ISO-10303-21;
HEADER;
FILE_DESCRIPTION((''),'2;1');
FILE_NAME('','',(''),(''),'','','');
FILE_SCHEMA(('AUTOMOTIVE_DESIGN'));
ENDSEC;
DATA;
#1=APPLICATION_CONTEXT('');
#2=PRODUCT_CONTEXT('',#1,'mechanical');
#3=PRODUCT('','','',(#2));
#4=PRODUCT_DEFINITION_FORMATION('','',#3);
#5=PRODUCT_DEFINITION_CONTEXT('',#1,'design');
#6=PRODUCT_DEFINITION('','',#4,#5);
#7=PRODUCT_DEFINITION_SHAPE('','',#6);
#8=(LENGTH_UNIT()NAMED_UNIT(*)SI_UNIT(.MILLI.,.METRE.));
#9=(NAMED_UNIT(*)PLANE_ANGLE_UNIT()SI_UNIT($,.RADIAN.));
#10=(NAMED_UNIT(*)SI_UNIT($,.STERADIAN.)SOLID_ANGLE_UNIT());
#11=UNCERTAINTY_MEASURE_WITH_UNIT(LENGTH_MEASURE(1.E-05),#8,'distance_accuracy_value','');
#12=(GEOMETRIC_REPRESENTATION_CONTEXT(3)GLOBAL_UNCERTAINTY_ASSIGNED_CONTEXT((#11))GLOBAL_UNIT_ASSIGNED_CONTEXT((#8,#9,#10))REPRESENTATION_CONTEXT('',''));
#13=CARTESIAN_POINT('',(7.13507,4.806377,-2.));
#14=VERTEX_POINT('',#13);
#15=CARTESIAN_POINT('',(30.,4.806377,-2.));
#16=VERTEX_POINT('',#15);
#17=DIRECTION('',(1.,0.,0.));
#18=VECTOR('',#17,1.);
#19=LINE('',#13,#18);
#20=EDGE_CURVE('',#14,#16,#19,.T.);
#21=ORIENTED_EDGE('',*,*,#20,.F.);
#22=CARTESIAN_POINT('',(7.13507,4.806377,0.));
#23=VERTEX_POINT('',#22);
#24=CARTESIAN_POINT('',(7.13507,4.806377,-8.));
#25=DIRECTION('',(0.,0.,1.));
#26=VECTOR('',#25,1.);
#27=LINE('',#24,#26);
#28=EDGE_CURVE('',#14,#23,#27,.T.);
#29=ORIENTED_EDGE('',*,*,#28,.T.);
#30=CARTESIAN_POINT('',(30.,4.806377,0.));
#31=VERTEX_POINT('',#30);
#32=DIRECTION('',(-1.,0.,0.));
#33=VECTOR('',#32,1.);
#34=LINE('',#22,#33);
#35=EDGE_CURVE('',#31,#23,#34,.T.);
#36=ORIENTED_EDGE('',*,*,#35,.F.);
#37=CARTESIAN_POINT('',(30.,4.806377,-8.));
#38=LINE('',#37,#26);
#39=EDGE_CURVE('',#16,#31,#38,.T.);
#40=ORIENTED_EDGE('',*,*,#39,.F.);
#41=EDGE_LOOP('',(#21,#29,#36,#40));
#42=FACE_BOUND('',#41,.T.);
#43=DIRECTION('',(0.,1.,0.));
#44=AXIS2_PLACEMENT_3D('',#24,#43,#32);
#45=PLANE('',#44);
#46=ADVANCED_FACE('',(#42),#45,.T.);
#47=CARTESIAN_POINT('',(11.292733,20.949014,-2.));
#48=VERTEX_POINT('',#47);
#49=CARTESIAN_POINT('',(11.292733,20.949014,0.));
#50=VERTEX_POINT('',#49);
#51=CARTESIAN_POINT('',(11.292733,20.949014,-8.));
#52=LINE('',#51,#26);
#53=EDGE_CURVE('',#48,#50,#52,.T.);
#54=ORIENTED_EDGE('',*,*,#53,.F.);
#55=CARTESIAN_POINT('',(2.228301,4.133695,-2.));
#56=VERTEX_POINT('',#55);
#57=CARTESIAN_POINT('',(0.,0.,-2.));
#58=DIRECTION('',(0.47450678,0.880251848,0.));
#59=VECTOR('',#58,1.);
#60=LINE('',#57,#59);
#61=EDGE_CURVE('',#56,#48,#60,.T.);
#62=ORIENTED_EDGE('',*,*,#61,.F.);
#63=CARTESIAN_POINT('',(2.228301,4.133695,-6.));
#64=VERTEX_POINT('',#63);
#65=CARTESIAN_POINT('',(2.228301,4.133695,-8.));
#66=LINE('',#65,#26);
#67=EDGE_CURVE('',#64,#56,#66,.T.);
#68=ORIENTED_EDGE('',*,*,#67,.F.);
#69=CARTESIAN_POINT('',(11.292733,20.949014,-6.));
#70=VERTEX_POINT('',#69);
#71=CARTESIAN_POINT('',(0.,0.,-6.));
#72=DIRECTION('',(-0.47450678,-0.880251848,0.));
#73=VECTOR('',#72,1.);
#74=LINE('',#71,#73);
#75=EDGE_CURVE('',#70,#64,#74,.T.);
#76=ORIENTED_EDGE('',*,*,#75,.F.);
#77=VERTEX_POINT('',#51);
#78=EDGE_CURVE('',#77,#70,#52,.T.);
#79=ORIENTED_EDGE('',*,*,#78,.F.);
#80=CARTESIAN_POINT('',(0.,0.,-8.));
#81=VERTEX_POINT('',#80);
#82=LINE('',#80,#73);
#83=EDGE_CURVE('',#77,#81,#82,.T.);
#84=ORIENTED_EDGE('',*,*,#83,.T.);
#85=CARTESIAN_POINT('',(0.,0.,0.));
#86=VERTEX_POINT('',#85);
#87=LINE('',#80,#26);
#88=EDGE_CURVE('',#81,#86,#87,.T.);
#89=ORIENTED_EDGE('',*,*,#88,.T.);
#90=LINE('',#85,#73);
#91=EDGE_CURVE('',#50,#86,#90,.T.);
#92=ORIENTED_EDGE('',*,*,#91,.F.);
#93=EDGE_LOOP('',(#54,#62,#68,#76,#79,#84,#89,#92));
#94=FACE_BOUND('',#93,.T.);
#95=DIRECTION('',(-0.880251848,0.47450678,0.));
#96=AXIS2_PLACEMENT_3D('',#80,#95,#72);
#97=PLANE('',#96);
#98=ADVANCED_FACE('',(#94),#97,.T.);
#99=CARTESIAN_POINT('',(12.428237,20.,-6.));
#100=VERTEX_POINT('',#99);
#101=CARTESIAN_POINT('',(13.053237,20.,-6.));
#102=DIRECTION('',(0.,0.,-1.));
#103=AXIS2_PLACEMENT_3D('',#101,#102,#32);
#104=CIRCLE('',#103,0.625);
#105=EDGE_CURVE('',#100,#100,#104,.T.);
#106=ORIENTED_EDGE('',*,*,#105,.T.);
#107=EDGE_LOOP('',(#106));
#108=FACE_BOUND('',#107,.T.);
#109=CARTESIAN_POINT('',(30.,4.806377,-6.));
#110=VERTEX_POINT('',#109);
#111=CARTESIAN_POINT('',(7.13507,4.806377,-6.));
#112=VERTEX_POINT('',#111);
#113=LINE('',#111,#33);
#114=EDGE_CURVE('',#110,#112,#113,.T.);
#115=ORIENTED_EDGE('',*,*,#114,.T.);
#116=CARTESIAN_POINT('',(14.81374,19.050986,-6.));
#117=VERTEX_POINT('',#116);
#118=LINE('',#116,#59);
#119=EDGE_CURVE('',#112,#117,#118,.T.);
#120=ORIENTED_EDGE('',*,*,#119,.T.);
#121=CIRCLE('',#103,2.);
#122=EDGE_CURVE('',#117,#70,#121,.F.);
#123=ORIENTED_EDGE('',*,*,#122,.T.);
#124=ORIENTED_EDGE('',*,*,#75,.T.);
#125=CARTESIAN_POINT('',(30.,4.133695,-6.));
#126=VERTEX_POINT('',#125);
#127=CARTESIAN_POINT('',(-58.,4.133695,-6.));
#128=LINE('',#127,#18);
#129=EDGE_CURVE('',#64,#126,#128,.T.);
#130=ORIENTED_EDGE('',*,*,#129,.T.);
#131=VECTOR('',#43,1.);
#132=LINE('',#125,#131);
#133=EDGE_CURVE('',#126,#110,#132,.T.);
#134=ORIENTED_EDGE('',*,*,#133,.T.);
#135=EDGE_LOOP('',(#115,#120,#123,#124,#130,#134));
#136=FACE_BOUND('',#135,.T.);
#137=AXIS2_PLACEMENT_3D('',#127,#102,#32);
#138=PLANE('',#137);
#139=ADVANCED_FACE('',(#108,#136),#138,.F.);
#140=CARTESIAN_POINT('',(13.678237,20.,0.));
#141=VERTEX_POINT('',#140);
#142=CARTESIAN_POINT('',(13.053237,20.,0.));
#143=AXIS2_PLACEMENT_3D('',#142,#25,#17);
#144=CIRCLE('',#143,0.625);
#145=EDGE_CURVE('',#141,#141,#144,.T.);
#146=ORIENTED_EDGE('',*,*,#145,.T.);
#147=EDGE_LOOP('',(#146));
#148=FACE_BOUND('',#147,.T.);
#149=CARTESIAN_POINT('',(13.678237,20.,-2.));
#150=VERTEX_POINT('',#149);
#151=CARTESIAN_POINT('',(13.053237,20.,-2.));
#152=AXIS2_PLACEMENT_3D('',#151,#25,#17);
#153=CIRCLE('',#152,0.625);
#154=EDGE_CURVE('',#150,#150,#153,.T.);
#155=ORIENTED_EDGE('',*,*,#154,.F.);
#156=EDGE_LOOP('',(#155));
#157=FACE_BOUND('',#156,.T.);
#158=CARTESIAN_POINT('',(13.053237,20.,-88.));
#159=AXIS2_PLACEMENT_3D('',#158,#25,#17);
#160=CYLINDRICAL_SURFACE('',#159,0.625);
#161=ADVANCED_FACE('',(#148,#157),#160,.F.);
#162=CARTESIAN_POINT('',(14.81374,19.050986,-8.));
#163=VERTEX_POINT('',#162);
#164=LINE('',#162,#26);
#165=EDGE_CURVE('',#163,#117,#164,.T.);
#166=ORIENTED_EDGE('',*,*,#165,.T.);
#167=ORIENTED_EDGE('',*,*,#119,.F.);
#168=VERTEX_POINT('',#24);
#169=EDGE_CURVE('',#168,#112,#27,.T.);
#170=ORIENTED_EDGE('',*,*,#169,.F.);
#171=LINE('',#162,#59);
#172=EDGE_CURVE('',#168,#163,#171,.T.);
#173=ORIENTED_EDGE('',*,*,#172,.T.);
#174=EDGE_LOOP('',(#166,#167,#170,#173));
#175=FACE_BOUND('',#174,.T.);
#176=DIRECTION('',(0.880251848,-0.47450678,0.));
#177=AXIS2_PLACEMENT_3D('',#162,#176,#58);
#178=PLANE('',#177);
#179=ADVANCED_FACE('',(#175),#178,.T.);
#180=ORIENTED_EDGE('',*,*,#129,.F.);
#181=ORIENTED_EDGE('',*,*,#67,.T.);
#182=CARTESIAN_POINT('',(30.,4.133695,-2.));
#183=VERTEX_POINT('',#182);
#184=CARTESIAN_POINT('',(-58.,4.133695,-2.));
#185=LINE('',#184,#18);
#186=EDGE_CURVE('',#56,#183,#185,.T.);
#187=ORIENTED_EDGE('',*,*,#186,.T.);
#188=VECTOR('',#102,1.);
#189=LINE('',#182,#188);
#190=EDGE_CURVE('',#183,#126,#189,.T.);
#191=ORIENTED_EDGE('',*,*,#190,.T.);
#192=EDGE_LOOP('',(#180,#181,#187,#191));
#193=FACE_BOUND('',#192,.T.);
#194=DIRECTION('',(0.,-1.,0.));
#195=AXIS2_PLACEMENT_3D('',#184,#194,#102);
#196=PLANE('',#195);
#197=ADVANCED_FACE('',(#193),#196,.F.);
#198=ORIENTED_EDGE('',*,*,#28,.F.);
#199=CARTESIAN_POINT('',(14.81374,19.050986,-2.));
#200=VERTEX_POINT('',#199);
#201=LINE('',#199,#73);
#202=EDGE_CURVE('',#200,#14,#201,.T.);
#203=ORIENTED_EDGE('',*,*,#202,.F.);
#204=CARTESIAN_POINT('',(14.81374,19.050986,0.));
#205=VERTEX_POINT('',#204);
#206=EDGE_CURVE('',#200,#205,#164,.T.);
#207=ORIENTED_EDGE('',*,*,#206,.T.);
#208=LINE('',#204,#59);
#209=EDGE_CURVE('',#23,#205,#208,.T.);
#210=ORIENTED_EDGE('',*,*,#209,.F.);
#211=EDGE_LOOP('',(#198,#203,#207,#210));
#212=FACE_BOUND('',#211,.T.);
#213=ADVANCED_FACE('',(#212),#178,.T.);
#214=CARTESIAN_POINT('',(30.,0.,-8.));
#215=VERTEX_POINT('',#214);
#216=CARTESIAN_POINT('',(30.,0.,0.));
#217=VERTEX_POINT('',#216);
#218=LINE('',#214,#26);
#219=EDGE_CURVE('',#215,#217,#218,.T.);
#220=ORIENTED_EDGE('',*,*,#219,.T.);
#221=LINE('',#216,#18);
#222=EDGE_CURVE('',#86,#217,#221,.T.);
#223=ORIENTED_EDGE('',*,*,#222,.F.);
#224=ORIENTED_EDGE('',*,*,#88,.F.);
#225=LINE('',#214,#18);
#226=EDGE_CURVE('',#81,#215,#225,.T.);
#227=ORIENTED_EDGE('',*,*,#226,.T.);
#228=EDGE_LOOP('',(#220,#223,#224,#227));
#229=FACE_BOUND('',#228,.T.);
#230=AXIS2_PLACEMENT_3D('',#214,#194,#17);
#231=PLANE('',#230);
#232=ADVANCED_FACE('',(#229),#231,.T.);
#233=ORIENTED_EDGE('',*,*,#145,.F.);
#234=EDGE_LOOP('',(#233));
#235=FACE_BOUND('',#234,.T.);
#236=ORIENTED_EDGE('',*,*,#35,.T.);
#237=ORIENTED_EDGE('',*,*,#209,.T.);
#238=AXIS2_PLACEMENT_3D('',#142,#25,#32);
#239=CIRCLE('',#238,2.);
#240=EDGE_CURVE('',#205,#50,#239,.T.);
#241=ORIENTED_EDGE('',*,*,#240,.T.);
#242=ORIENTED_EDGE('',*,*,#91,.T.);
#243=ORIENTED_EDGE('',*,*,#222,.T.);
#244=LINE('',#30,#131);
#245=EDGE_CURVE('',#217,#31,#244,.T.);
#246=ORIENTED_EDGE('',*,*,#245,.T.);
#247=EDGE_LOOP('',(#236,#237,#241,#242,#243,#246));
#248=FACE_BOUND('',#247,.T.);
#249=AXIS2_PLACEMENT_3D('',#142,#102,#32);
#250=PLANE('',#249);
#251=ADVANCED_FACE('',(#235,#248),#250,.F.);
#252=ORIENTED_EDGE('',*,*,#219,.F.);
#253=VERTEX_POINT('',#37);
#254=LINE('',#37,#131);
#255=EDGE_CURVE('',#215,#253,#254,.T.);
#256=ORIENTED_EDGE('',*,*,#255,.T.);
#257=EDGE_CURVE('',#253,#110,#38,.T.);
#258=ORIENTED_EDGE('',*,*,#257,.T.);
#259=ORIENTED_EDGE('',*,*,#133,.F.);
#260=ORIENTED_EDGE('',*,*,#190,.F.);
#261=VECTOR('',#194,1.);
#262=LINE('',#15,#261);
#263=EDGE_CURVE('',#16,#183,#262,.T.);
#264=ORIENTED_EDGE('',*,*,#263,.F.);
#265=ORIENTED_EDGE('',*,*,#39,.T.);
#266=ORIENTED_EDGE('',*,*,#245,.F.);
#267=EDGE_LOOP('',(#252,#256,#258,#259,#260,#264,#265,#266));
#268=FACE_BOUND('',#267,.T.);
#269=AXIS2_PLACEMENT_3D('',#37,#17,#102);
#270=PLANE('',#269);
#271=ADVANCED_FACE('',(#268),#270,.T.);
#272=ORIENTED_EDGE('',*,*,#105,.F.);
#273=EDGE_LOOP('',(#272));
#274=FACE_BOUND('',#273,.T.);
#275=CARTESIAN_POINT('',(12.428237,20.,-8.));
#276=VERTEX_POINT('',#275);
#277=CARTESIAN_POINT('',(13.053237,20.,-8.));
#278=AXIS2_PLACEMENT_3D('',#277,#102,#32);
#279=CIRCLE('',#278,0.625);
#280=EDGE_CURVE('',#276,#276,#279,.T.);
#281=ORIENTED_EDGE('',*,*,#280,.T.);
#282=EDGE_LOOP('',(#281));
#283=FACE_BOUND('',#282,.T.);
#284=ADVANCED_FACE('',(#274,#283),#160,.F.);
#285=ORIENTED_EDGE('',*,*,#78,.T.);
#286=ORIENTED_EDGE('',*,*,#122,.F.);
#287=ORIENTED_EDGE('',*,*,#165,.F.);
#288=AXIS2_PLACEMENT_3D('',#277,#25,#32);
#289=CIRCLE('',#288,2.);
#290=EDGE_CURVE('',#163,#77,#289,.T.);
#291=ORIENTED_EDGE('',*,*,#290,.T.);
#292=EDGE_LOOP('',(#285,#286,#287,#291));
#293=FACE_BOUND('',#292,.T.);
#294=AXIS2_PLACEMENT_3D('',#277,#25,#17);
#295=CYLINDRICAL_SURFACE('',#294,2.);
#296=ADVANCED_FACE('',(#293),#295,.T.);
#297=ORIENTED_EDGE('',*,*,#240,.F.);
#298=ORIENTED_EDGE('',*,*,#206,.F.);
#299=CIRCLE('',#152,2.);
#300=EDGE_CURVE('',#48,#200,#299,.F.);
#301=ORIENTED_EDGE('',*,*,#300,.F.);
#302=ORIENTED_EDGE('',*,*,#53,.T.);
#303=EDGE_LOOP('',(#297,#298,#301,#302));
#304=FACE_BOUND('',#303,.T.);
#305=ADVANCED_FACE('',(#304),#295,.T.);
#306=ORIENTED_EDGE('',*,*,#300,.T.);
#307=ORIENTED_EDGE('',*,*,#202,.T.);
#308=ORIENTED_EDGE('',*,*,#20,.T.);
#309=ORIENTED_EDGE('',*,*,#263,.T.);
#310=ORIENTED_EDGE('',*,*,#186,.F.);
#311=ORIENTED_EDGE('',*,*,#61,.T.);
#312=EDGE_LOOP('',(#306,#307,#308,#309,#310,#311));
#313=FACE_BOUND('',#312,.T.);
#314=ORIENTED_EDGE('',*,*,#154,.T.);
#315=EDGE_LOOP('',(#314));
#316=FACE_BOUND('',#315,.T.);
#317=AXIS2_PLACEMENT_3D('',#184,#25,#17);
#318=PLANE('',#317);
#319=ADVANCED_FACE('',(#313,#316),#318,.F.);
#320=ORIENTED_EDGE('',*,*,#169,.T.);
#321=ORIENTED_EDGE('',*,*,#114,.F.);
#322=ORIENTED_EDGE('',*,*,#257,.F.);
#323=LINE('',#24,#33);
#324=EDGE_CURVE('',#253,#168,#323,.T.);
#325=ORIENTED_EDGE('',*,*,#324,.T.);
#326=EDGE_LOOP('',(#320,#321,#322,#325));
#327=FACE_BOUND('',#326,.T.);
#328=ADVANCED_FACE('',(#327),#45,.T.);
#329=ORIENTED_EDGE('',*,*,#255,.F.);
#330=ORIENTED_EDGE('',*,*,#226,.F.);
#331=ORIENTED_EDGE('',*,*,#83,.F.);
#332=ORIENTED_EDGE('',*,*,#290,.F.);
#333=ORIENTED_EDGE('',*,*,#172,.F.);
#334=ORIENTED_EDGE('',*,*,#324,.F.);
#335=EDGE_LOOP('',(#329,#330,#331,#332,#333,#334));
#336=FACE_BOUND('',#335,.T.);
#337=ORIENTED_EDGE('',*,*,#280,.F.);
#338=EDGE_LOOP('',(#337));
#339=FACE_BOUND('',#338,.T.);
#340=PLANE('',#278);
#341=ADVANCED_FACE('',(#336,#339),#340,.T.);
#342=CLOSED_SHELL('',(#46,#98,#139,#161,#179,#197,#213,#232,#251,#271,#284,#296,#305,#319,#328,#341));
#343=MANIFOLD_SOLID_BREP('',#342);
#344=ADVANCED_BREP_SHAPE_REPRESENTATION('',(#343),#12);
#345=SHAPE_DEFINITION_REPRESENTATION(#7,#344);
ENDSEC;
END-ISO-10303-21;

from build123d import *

# Parameters (mm, degrees)
EXTRUDE_1_DEPTH     = 8
SKETCH_2_W          = 4
SKETCH_2_H          = 18.866305448
CUT_EXTRUDE_1_DEPTH = 88
SKETCH_3_R          = 0.625
CUT_EXTRUDE_2_DEPTH = 88


with BuildPart() as part:
    # 草圖1 → 填料-伸長1 (new body)
    with BuildSketch(Plane.XY):
        with BuildLine():
            Line((0, 0), (11.292732867, 20.94901356))
            ThreePointArc((11.292732867, 20.94901356), (14.002250122, 21.760503696), (14.813740258, 19.05098644))
            Line((14.813740258, 19.05098644), (7.13506975, 4.806376698))
            Line((7.13506975, 4.806376698), (30, 4.806376698))
            Line((30, 4.806376698), (30, 0))
            Line((30, 0), (0, 0))
        make_face()
    extrude(amount=-EXTRUDE_1_DEPTH)

    # 草圖2 → 除料-伸長1 (cut)
    with BuildSketch(Plane(origin=(30, 0, 0), x_dir=(0, 0, -1), z_dir=(1, 0, 0))):
        with Locations((4, 13.566847276)):
            Rectangle(SKETCH_2_W, SKETCH_2_H)
    extrude(amount=-CUT_EXTRUDE_1_DEPTH, mode=Mode.SUBTRACT)

    # 草圖3 → 除料-伸長2 (cut)
    with BuildSketch(Plane.XY):
        with Locations(Location((13.053236562, 20, 0), (0, 0, 180))):
            Circle(SKETCH_3_R)
    extrude(amount=-CUT_EXTRUDE_2_DEPTH, mode=Mode.SUBTRACT)


solid = part.part
